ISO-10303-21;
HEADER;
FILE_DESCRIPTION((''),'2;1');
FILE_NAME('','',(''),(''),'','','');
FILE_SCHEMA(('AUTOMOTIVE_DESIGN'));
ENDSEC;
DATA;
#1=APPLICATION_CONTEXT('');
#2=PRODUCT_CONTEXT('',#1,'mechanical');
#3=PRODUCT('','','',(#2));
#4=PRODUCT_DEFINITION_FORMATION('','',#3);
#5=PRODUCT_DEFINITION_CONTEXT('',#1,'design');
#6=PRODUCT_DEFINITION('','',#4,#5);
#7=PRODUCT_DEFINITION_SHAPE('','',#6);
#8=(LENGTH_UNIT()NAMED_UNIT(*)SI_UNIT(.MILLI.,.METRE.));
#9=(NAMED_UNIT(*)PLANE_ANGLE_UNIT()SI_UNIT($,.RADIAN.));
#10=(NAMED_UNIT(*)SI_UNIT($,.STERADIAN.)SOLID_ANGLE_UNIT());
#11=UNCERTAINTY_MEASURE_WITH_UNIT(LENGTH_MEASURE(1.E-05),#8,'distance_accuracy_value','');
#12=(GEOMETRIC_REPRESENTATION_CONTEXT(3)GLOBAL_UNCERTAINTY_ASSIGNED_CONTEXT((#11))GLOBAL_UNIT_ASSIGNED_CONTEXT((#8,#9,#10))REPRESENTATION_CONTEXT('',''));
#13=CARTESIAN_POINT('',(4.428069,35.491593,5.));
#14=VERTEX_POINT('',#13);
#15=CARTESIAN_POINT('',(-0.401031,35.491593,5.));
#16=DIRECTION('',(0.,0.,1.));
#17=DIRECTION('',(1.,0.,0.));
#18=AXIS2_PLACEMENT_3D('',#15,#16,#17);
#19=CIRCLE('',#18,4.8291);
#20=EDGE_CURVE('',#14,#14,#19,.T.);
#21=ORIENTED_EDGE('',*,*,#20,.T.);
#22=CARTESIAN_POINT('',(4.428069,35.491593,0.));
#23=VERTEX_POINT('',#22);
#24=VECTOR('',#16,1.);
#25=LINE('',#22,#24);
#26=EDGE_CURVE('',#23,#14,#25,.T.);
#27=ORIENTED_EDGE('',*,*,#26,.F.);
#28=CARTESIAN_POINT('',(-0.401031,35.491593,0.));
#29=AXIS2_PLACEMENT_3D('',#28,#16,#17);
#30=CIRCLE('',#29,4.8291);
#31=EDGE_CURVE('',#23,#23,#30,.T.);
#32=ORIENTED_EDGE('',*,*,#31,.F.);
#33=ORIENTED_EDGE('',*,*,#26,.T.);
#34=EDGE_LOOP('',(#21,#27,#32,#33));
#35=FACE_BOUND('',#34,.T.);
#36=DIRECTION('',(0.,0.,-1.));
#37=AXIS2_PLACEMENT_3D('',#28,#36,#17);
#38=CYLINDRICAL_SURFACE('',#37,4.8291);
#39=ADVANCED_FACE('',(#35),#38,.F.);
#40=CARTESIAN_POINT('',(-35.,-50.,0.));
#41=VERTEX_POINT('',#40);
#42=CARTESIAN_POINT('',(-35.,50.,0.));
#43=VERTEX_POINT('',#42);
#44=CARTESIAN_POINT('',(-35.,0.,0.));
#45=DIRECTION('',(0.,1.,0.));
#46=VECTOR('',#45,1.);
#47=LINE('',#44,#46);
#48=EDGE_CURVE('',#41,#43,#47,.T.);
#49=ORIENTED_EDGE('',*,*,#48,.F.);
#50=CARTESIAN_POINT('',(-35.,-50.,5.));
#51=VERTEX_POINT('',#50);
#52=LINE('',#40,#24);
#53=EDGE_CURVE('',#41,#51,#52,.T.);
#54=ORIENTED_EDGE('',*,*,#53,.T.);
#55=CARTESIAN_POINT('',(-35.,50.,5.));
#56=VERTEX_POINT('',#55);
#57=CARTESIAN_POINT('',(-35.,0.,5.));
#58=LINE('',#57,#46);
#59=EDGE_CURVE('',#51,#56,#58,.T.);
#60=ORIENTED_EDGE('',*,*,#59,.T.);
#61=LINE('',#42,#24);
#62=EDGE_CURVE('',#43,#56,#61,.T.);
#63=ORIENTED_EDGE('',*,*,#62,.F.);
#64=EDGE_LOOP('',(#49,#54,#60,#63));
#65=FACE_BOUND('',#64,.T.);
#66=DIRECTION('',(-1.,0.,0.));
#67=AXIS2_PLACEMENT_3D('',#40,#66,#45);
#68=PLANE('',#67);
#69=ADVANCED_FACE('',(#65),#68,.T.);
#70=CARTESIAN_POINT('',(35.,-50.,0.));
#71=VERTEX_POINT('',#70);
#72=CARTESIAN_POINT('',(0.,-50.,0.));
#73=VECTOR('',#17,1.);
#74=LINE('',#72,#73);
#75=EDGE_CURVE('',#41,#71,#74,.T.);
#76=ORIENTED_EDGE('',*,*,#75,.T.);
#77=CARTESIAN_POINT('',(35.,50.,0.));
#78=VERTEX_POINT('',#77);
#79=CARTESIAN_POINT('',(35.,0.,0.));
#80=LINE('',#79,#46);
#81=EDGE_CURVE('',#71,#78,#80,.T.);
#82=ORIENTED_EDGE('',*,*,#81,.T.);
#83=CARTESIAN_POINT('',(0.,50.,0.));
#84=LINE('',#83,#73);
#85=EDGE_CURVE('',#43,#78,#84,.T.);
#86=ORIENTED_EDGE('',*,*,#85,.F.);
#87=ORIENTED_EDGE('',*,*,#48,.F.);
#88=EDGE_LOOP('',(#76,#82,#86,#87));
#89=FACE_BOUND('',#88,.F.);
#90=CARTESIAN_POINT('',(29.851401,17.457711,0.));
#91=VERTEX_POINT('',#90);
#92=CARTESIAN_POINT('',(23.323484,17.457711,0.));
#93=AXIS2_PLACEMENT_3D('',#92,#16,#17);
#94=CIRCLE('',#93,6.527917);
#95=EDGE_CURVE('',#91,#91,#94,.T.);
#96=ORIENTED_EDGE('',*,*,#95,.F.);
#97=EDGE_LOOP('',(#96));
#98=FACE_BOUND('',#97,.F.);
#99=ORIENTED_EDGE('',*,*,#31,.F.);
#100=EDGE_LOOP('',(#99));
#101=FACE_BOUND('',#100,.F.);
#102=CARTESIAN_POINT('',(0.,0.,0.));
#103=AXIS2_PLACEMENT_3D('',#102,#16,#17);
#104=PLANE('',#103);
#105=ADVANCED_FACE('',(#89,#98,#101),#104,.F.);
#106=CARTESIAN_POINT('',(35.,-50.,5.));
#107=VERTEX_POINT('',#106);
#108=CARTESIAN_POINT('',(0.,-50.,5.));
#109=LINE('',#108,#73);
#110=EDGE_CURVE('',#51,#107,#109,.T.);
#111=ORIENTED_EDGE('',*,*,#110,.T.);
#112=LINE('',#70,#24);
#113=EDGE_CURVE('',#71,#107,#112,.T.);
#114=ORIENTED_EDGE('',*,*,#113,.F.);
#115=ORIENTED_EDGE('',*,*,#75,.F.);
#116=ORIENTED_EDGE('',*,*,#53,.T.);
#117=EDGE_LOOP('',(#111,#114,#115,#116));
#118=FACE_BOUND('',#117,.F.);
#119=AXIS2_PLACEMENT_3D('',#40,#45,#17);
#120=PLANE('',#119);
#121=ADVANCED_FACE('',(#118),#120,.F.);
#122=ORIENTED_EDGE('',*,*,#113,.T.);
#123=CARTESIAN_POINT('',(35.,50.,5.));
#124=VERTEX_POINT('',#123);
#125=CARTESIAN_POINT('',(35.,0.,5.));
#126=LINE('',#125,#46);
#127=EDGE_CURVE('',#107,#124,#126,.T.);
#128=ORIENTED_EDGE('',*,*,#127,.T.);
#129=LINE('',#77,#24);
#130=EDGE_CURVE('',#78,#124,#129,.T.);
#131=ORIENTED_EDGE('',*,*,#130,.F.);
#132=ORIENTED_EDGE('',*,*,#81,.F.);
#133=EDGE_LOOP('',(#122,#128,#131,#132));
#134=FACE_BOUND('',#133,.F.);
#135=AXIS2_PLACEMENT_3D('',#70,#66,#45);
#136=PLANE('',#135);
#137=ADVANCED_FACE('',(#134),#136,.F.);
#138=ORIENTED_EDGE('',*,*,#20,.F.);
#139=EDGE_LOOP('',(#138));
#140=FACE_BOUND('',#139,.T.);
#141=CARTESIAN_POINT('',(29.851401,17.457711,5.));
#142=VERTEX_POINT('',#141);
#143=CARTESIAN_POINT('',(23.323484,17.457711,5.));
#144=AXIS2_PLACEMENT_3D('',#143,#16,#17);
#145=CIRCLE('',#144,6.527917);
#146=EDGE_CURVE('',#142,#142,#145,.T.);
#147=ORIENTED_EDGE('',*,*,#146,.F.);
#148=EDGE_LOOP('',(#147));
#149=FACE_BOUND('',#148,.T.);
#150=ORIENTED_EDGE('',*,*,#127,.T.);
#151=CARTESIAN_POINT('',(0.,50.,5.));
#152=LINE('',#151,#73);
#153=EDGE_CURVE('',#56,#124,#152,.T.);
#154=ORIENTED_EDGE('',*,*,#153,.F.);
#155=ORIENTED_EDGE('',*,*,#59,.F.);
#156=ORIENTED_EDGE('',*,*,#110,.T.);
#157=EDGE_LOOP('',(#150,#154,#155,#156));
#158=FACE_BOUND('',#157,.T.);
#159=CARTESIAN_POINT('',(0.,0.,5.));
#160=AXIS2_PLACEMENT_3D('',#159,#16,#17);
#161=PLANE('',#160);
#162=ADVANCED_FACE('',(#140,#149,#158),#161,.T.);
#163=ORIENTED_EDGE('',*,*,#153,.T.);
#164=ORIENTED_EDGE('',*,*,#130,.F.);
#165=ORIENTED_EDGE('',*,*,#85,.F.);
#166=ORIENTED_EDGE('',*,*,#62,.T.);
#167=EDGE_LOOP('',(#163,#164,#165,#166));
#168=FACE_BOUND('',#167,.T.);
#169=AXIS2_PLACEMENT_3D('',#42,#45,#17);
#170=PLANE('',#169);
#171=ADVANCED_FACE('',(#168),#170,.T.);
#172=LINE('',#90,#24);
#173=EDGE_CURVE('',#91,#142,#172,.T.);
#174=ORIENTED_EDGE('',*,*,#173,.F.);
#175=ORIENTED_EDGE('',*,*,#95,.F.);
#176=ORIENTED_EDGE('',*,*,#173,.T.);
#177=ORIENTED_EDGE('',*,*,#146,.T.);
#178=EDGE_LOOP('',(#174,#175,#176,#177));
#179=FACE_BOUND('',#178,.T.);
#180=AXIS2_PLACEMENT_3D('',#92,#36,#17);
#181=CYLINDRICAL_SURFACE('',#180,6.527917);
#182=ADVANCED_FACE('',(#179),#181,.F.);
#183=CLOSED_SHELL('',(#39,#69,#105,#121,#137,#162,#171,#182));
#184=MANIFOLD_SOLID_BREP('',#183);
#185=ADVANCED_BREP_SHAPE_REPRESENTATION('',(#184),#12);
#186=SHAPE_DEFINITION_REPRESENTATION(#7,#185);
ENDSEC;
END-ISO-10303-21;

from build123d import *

# Parameters (mm, degrees)
F0_W     = 70
F0_H     = 100
F0_R     = 4.8291
F0_R_2   = 6.527917
F1_DEPTH = 5


with BuildPart() as f1:
    # F0 (on Top) → F1 (new body)
    with BuildSketch(Plane.XY):
        Rectangle(F0_W, F0_H)
        with Locations((-0.401031, 35.491593)):
            Circle(F0_R, mode=Mode.SUBTRACT)
        with Locations((23.323484, 17.457711)):
            Circle(F0_R_2, mode=Mode.SUBTRACT)
    extrude(amount=F1_DEPTH)


solid = f1.part
